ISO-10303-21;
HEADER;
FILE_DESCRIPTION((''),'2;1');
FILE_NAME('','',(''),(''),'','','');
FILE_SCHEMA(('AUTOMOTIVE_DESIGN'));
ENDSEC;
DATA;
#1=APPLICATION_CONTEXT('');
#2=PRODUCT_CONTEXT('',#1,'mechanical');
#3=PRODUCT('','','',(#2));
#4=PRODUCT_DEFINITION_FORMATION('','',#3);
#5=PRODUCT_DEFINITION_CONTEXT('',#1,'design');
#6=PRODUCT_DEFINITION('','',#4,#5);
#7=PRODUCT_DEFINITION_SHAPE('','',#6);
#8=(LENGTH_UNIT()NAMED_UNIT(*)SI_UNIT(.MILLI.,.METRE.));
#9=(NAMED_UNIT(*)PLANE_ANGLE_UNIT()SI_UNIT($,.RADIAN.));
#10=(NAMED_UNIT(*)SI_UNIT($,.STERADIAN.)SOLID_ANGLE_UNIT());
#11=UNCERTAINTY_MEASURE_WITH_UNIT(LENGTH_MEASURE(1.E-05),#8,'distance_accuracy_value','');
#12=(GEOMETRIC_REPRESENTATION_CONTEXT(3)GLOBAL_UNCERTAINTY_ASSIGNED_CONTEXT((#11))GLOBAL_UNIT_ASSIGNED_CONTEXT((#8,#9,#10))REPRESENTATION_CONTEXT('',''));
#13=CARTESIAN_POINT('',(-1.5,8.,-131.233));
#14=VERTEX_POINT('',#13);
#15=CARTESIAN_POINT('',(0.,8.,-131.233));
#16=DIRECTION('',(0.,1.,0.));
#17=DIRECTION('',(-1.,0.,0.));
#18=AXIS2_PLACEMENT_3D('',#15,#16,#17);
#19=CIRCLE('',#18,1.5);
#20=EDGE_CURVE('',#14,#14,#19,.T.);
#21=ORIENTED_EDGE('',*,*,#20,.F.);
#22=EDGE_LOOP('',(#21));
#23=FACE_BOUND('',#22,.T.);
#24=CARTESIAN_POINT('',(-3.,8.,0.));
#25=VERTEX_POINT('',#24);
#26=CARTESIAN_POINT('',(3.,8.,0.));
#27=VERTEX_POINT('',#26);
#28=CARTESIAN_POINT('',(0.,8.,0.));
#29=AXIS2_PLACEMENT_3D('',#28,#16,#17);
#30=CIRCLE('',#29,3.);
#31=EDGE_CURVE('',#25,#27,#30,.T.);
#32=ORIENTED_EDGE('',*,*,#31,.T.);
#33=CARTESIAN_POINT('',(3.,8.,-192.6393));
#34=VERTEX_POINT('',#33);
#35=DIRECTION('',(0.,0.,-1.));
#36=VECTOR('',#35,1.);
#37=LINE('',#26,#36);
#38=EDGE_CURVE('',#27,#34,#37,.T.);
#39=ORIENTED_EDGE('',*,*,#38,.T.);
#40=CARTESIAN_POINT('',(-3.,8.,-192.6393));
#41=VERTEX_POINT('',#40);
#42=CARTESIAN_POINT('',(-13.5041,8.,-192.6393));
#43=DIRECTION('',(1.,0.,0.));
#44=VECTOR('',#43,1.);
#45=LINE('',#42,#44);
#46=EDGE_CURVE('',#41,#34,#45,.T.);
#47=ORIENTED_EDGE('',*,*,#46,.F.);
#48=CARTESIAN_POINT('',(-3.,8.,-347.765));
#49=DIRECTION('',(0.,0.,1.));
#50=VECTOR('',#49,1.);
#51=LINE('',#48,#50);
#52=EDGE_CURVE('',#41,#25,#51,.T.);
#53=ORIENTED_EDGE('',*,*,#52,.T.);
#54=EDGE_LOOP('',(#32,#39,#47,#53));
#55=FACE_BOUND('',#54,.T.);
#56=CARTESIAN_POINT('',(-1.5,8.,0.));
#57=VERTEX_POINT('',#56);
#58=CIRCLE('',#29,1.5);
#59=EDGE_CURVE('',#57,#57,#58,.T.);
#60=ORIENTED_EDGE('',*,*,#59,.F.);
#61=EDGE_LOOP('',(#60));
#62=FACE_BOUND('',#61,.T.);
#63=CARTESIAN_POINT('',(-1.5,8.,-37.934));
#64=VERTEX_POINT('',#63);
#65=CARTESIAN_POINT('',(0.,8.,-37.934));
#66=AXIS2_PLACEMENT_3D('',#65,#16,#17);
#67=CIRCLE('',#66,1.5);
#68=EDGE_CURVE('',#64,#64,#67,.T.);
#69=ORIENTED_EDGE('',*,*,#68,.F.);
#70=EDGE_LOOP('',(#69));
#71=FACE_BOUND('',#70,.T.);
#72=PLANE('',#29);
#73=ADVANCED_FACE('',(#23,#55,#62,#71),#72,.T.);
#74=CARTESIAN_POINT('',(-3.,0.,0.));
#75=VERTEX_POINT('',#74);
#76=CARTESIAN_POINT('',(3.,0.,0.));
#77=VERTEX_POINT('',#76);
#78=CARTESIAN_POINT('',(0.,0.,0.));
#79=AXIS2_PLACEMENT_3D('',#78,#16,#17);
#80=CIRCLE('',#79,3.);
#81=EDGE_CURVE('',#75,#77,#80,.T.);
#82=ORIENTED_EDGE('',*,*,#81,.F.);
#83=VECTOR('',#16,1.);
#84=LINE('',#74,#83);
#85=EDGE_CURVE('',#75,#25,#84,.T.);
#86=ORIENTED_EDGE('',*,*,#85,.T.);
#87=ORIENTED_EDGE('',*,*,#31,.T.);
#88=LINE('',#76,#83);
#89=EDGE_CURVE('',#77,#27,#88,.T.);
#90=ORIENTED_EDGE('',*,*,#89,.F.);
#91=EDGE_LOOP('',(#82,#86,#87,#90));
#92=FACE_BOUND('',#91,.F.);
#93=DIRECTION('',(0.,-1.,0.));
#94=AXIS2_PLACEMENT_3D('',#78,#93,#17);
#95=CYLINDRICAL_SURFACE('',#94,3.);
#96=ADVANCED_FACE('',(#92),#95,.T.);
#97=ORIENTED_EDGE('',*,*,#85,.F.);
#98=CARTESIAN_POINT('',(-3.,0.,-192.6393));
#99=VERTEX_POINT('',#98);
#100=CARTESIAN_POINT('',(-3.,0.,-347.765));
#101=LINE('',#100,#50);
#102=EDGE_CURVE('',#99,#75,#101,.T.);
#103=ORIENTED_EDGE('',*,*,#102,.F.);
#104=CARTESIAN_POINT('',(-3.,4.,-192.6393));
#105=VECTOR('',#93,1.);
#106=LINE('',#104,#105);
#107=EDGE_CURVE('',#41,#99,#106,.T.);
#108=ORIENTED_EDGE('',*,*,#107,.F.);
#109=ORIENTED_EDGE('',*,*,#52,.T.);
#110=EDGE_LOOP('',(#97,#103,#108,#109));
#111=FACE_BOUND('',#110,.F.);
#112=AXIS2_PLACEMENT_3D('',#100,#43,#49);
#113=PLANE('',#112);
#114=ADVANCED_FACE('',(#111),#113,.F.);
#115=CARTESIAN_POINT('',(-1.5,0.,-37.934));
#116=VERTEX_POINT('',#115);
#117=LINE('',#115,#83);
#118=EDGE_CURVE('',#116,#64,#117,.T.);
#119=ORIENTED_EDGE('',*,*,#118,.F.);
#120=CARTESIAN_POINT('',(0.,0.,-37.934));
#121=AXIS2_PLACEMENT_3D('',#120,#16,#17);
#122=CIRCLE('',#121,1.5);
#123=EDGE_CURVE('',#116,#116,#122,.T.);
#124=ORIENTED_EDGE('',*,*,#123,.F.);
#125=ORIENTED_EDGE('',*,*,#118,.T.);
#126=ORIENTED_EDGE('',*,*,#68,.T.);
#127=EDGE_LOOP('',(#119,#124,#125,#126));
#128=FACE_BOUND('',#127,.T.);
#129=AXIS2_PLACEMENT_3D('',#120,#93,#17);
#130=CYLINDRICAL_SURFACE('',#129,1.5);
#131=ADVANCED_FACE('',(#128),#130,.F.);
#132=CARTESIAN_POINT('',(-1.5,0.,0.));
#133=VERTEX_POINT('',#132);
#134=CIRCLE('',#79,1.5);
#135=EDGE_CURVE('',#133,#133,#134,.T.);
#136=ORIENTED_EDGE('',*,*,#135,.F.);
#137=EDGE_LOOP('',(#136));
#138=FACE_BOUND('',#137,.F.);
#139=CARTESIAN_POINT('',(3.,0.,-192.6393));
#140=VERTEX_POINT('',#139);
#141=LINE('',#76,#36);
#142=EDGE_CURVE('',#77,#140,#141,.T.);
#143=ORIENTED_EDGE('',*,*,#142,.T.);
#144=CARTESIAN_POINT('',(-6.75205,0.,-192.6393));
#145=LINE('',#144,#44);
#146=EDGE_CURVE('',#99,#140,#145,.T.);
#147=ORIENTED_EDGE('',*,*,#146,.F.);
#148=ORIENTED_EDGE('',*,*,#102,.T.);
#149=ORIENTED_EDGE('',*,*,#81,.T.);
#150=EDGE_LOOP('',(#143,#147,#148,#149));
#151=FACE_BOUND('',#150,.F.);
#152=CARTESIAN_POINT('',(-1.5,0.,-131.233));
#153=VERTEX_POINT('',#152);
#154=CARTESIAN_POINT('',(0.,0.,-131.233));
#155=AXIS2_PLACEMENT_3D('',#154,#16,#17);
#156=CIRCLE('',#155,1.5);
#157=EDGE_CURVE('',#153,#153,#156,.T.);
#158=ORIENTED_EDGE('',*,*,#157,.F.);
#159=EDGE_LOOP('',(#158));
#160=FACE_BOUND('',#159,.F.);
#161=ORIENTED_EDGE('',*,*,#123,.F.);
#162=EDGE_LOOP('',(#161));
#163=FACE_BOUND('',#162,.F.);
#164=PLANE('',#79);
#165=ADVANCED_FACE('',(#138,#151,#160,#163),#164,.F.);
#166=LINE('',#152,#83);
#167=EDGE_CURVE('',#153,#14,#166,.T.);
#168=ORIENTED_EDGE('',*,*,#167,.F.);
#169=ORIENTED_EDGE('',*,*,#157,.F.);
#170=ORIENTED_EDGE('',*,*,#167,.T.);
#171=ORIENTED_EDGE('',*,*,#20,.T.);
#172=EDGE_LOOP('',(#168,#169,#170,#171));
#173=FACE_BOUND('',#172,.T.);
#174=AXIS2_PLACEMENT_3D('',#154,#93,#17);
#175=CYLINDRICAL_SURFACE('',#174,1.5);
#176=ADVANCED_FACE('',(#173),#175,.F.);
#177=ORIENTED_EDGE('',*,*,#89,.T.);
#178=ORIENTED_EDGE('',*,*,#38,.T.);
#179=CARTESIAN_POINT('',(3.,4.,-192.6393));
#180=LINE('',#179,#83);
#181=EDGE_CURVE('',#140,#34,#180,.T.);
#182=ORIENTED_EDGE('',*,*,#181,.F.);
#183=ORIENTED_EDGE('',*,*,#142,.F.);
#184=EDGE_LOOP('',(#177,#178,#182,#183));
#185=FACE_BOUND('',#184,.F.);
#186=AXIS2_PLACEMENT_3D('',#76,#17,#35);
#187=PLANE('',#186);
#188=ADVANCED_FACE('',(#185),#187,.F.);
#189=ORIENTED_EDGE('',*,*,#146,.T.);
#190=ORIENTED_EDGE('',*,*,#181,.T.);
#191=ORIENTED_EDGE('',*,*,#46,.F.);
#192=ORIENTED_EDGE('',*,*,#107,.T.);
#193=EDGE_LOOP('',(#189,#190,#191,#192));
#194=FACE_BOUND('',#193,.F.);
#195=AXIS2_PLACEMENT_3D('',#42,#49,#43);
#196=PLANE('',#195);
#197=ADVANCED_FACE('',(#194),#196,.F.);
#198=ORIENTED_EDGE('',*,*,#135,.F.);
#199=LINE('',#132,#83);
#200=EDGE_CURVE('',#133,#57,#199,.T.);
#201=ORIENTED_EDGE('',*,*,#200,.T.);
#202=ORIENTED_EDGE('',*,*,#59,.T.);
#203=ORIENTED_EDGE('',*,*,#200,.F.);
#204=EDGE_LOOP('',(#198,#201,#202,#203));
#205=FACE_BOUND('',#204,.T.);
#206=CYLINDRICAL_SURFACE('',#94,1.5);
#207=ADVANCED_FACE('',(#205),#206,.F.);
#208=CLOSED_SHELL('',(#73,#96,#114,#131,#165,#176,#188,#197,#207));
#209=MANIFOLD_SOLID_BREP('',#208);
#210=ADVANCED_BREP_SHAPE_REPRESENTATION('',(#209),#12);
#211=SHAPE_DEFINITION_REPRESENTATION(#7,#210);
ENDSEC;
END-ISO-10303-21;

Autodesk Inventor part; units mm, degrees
ref_plane "YZ Plane" through (0, 0, 0) normal (1, 0, 0) x (0, 1, 0)
ref_plane "XZ Plane" through (0, 0, 0) normal (0, 1, 0) x (-1, 0, 0)
ref_plane "XY Plane" through (0, 0, 0) normal (0, 0, 1) x (1, 0, 0)
sketch "Sketch1" plane through (0, 0, 0) normal (0, 1, 0) x (-1, 0, 0)
  line L0 (0, 0) -> (0, -347.765) construction
  line L1 (-3, 0) -> (-3, -347.765)
  line L2 (3, -347.765) -> (3, 0)
  arc A0 (3, 0) -> (-3, 0) centre (0, 0) ccw
  arc A1 (-3, -347.765) -> (3, -347.765) centre (0, -347.765) ccw
  circle A2 centre (0, 0) radius 1.5
  circle A3 centre (0, -347.765) radius 1.5
  circle A4 centre (0, -131.233) radius 1.5
  circle A5 centre (0, -37.934) radius 1.5
  point P0 (0, -173.8825)
  dimension "d0" = 347.765
  dimension "d1" = 6
  dimension "d2" = 3
  dimension "d3" = 3
  dimension "d6" = 3
  dimension "d7" = 131.233
  dimension "d8" = 3
  dimension "d9" = 37.934
extrude "Extrusion1" add sketch "Sketch1" along normal blind 8
sketch "Sketch2" plane through (0, 8, 0) normal (0, 1, 0) x (1, 0, 0)
  arc A0 (3, 347.765) -> (-3, 347.765) centre (0, 347.765) ccw projected
  line L0 (-3, 347.765) -> (-3, 0) projected
  arc A1 (-3, 0) -> (3, 0) centre (0, 0) ccw projected
  line L1 (3, 0) -> (3, 347.765) projected
  circle A2 centre (0, 131.233) radius 1.5 projected
  circle A3 centre (0, 37.934) radius 1.5 projected
  circle A4 centre (0, 347.765) radius 1.5 projected
  circle A5 centre (0, 0) radius 1.5 projected
sketch "Sketch3" plane through (0, 8, 0) normal (0, 1, 0) x (1, 0, 0)
  line L0 (-13.5041, 192.6393) -> (33.2898, 192.6393)
  line L1 (33.2898, 192.6393) -> (33.2898, -23.3325)
  line L2 (33.2898, -23.3325) -> (-13.5041, -23.3325)
  line L3 (-13.5041, -23.3325) -> (-13.5041, 192.6393)
  line L4 (-64.7974, 383.8644) -> (82.7834, 383.8644)
  line L5 (82.7834, 383.8644) -> (82.7834, -81.8249)
  line L6 (82.7834, -81.8249) -> (-64.7974, -81.8249)
  line L7 (-64.7974, -81.8249) -> (-64.7974, 383.8644)
  point P0 (0, 0)
extrude "Extrusion2" cut sketch "Sketch3" against normal blind 10
sketch "Sketch4" plane through (0, 8, 0) normal (0, 1, 0) x (1, 0, 0)
  circle A0 centre (0, 0) radius 1.5 projected
  circle A1 centre (0, 37.934) radius 1.5 projected
  circle A2 centre (0, 131.233) radius 1.5 projected
  line L0 (3, 192.6393) -> (-3, 192.6393) projected
  line L1 (-3, 192.6393) -> (-3, 0) projected
  arc A3 (-3, 0) -> (3, 0) centre (0, 0) ccw projected
  line L2 (3, 0) -> (3, 192.6393) projected
properties part number "Part_10_p2"
